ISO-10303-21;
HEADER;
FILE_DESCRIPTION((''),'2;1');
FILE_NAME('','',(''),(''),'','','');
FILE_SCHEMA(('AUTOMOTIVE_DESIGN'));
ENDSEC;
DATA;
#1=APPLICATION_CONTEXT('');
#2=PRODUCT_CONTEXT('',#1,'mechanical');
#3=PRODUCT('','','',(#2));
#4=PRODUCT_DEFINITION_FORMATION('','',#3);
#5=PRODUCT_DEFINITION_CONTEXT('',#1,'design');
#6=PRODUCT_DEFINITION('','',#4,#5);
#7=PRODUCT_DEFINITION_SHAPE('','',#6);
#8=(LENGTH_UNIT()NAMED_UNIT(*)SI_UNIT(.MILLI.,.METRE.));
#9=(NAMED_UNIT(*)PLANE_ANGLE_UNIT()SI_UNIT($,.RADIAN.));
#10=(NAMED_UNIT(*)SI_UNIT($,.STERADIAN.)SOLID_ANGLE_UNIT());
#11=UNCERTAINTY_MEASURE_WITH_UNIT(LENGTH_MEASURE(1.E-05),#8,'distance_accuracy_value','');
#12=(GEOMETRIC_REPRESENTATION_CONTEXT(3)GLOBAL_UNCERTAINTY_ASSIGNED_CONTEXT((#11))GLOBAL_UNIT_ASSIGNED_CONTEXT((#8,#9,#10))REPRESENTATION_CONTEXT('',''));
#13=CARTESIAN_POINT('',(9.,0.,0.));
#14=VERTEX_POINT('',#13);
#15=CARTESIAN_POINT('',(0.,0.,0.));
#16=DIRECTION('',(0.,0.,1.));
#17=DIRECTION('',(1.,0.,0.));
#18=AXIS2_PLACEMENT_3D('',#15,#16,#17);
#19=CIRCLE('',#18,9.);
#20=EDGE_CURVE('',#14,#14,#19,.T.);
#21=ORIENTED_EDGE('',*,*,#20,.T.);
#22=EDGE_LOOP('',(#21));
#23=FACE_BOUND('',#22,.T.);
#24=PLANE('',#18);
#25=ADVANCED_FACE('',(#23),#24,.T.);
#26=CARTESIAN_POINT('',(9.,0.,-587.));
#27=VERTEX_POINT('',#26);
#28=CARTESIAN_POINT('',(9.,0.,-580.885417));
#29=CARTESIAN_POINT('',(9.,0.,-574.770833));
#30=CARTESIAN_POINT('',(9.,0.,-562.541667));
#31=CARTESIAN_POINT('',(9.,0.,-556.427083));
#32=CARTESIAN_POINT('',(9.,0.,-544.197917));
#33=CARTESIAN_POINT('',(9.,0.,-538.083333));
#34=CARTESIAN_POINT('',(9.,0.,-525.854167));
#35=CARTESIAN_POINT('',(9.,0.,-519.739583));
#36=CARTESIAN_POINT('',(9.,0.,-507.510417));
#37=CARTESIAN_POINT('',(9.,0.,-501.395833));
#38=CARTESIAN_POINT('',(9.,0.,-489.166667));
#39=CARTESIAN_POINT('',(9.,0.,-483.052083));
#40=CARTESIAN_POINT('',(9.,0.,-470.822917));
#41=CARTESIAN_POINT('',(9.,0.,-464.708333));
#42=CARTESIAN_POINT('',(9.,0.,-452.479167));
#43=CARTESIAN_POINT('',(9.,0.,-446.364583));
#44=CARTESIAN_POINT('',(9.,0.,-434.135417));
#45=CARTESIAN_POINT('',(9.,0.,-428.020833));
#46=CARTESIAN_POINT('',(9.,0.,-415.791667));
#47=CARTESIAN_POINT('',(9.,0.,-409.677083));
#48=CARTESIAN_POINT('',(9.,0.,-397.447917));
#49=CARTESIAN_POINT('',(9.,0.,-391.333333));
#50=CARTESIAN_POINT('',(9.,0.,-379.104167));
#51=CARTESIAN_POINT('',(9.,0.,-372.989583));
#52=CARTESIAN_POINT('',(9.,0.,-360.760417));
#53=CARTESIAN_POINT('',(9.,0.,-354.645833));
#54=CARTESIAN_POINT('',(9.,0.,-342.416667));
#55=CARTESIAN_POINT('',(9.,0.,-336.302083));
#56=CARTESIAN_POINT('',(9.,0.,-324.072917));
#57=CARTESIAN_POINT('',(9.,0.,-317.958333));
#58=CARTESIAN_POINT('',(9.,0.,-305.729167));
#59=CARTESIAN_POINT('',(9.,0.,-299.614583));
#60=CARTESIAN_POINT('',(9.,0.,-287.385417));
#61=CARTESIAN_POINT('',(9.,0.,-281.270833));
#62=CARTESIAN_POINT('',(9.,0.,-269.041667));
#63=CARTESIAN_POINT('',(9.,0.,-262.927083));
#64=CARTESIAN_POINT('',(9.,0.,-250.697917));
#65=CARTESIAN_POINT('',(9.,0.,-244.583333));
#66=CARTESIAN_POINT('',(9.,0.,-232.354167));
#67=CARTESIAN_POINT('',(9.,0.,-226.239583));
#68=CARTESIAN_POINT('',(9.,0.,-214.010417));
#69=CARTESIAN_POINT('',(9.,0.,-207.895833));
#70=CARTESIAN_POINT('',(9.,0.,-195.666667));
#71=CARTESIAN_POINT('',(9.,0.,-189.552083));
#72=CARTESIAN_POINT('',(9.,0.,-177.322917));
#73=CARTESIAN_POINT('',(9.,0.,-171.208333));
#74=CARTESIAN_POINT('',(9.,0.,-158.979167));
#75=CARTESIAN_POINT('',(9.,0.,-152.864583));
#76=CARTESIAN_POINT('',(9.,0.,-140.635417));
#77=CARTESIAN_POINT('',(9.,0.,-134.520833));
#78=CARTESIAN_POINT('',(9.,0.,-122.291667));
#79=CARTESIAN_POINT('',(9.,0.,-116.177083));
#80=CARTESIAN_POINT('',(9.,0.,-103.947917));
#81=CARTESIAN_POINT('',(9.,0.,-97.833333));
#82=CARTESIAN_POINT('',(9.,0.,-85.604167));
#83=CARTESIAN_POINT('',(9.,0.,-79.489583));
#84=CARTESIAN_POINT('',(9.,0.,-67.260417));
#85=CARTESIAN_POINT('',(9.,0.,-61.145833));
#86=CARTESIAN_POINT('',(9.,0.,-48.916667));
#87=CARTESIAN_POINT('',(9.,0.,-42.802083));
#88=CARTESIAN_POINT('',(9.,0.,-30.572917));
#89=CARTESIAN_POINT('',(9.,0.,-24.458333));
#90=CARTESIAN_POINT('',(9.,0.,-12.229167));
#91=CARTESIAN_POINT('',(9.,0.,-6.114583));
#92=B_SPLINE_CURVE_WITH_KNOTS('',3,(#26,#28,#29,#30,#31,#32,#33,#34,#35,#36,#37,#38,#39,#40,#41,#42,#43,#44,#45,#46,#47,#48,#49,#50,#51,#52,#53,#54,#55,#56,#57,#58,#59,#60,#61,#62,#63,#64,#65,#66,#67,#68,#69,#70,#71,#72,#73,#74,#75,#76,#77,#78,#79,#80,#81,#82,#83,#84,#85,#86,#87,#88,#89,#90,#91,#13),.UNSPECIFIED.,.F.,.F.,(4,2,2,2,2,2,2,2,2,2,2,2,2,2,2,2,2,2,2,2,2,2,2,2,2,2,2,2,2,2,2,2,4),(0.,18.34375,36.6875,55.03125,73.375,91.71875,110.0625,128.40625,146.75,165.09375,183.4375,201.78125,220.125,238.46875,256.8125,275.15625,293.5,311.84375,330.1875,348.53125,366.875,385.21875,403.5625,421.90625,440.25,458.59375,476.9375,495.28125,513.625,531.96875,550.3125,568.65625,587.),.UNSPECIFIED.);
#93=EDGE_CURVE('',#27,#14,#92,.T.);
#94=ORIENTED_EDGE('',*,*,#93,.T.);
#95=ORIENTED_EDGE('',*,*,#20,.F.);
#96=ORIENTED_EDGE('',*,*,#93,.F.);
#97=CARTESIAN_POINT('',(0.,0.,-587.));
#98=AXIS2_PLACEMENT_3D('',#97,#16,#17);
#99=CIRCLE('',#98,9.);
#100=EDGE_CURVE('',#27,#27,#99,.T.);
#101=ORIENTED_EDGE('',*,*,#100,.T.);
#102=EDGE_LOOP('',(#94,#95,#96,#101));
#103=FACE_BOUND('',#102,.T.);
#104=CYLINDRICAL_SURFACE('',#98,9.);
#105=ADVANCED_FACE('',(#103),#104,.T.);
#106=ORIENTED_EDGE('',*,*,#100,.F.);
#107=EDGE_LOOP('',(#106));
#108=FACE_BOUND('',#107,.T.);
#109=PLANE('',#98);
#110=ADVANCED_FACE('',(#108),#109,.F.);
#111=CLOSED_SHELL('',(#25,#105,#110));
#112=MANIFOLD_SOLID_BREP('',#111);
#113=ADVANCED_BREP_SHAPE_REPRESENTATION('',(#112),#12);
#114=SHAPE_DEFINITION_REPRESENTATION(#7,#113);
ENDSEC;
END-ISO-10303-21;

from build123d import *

# Parameters (mm, degrees)
CROQUIS1_R              = 9
SALIENTE_EXTRUIR2_DEPTH = 587


with BuildPart() as part:
    # Croquis1 → Saliente-Extruir2 (new body)
    with BuildSketch(Plane.XY):
        Circle(CROQUIS1_R)
    extrude(amount=-SALIENTE_EXTRUIR2_DEPTH)


solid = part.part
